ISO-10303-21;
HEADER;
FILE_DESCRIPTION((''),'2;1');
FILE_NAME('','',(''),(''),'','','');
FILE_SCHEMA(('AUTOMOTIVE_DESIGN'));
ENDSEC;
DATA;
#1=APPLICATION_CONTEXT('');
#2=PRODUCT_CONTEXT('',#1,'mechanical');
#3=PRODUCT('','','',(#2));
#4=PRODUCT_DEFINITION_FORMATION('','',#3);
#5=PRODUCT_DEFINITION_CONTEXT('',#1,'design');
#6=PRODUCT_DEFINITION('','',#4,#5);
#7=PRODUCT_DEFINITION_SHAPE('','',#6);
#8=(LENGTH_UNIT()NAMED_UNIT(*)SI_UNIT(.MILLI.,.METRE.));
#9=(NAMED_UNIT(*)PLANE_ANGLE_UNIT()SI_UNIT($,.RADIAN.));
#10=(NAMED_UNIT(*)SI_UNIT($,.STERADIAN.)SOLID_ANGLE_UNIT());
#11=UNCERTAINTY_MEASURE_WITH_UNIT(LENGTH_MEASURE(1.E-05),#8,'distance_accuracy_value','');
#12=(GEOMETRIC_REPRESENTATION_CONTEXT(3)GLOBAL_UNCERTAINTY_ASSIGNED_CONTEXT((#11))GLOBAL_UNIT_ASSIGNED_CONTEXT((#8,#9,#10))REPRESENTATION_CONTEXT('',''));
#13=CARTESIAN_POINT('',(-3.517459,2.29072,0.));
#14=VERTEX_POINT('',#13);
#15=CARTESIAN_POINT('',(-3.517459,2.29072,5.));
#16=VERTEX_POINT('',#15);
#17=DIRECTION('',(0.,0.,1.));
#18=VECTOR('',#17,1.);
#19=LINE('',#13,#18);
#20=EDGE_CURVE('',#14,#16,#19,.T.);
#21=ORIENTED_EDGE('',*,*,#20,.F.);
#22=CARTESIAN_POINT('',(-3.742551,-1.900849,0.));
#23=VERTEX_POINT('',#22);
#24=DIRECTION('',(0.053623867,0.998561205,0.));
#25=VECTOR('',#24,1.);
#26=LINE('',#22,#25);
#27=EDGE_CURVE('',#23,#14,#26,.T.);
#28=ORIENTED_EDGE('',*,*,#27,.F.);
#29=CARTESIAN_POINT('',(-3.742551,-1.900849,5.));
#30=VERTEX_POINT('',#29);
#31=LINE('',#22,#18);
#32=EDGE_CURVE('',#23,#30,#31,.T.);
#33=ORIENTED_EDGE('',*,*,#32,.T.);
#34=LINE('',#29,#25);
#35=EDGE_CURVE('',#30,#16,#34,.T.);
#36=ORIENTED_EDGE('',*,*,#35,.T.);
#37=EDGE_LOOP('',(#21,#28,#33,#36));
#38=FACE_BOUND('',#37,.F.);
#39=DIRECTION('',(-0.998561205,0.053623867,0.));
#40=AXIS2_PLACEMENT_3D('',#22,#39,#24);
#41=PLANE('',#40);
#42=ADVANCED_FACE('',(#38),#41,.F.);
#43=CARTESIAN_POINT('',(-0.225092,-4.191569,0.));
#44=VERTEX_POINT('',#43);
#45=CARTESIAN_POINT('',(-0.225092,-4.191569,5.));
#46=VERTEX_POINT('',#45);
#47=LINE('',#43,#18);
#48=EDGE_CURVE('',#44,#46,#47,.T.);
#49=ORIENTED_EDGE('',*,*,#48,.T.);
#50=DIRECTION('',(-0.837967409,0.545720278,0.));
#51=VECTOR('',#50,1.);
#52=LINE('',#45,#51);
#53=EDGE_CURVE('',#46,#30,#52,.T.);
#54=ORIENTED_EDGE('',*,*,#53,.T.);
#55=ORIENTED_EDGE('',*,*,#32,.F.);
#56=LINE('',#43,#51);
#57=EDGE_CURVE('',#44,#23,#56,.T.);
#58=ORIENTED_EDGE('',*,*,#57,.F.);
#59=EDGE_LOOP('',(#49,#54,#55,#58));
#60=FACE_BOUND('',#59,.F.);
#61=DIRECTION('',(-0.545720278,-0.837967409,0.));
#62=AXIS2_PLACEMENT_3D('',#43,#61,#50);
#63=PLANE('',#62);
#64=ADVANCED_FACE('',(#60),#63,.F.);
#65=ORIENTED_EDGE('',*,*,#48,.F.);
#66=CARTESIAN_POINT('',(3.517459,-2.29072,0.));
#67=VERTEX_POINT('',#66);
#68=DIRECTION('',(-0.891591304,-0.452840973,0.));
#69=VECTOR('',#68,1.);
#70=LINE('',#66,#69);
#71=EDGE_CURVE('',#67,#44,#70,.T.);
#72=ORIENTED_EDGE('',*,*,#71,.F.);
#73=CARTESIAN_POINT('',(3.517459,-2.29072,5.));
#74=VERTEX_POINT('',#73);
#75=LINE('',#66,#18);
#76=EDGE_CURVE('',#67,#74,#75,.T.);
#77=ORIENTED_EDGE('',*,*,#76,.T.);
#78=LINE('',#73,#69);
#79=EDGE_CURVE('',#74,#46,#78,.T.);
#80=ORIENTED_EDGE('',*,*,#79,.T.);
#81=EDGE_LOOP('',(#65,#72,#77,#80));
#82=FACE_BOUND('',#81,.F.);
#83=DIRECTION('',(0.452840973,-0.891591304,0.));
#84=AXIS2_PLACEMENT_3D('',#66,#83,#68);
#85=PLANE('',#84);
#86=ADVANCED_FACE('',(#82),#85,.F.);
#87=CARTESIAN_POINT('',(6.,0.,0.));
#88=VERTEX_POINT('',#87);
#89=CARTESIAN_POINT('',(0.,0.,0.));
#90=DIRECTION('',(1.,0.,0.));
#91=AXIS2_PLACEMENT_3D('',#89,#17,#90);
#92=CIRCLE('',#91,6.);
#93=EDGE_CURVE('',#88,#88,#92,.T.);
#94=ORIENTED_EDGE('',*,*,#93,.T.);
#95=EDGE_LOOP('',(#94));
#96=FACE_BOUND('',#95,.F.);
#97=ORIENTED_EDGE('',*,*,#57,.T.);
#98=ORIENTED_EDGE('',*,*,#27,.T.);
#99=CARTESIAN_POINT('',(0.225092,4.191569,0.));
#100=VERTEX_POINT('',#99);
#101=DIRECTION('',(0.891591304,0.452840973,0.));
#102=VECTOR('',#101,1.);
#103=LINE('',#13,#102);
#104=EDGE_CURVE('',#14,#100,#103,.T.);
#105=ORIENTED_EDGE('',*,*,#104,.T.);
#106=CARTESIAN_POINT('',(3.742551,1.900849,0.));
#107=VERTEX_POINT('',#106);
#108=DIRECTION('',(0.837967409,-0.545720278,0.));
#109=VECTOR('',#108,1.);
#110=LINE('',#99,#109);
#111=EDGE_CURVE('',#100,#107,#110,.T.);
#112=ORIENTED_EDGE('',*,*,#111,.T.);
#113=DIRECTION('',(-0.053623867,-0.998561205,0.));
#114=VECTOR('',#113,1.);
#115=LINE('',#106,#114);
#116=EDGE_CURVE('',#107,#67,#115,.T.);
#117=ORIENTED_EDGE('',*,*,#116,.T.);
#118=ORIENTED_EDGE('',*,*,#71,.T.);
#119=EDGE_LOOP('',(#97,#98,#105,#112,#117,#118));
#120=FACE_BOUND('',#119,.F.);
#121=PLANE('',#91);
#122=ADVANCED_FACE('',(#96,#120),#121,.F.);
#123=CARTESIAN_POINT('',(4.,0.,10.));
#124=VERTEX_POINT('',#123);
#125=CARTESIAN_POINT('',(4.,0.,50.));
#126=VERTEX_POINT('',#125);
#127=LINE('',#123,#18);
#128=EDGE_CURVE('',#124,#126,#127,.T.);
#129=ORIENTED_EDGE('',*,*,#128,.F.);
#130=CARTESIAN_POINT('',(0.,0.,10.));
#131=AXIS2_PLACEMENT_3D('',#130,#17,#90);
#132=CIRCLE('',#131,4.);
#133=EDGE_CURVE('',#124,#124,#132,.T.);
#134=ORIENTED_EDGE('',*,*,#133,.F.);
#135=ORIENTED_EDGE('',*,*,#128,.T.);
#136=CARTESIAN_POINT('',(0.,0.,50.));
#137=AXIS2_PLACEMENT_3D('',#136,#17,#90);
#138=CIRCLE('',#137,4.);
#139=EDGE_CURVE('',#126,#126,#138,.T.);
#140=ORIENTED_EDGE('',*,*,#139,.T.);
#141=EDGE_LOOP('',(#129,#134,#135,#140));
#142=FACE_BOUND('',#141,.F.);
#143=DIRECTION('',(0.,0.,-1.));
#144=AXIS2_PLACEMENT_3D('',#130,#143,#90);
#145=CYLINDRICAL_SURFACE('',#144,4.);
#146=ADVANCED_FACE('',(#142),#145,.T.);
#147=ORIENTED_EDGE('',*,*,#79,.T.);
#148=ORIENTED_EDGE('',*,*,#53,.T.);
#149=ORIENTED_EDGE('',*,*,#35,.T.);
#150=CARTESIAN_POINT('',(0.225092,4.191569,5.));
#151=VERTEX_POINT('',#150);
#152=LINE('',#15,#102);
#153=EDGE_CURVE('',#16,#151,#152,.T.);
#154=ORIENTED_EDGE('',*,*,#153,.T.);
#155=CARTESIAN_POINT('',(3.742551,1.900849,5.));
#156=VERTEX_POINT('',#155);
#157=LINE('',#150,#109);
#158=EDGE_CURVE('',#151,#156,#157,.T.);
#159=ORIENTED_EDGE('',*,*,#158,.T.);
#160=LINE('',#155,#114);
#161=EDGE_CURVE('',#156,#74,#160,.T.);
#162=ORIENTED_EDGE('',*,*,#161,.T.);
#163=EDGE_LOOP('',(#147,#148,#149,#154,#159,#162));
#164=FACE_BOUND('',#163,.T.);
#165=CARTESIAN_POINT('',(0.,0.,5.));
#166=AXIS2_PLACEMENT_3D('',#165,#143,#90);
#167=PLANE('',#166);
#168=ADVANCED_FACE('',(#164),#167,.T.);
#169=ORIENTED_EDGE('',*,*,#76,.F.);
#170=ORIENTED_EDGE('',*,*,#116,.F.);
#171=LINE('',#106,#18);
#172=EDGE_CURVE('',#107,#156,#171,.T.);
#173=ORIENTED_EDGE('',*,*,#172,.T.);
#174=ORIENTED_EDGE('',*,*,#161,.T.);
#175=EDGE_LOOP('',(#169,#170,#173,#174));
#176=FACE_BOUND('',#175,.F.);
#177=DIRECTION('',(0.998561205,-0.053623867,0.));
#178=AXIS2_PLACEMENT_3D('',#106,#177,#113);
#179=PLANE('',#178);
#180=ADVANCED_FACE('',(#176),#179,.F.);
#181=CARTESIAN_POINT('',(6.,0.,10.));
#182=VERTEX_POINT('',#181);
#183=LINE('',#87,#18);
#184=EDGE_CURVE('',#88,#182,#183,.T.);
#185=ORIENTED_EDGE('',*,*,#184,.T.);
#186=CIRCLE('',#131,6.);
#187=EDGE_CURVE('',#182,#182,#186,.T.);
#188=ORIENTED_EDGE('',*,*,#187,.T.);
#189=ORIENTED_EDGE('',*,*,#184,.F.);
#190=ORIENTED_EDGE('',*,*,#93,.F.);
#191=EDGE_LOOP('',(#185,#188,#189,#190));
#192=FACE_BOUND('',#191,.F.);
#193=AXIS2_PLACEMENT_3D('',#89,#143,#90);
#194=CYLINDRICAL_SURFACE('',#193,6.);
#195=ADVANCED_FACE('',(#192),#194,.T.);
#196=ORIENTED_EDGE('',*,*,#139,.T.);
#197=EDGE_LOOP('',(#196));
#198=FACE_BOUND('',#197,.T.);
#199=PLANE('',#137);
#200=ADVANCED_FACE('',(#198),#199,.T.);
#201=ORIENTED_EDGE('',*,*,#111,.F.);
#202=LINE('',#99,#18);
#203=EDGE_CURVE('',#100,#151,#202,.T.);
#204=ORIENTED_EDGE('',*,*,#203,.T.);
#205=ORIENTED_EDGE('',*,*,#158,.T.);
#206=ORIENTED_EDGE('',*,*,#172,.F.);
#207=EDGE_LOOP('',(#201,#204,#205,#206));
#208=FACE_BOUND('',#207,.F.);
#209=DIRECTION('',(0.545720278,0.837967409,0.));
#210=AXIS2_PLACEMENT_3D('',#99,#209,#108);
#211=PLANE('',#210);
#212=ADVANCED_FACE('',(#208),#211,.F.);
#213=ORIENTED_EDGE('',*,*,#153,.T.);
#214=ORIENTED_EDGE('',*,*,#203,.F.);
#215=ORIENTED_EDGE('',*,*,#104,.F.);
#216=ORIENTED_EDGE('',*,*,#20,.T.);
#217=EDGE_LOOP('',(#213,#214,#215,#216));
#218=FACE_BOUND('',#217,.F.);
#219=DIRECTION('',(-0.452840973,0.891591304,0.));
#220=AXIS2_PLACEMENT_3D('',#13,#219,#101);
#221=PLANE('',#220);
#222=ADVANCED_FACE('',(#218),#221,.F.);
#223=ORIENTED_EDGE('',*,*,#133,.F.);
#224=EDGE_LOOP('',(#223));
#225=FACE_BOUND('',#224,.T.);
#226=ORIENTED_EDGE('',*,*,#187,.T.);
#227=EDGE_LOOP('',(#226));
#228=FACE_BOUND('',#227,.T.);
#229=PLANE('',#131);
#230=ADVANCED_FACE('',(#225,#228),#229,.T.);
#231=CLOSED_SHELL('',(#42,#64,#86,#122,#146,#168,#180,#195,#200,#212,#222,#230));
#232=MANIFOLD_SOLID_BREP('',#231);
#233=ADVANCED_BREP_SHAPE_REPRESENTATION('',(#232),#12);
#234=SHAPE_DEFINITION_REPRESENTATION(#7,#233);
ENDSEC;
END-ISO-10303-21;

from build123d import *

# Parameters (mm, degrees)
F0_R     = 6
F1_DEPTH = 10
F2_R     = 4
F3_DEPTH = 40
F5_DEPTH = 5


with BuildPart() as f1:
    # F0 (on Top) → F1 (new body)
    with BuildSketch(Plane.XY):
        Circle(F0_R)
    extrude(amount=F1_DEPTH)

    # F2 (on face) → F3 (join)
    with BuildSketch(Plane.XY.offset(10)):
        Circle(F2_R)
    extrude(amount=F3_DEPTH)

    # F4 (on face) → F5 (cut)
    with BuildSketch(Plane(origin=(0, 0, 0), x_dir=(1, 0, 0), z_dir=(0, 0, -1))):
        Polygon((0.225092, -4.191569), (3.742551, -1.900849), (3.517459, 2.29072), (-0.225092, 4.191569), (-3.742551, 1.900849), (-3.517459, -2.29072), align=None)
    extrude(amount=-F5_DEPTH, mode=Mode.SUBTRACT)


solid = f1.part
